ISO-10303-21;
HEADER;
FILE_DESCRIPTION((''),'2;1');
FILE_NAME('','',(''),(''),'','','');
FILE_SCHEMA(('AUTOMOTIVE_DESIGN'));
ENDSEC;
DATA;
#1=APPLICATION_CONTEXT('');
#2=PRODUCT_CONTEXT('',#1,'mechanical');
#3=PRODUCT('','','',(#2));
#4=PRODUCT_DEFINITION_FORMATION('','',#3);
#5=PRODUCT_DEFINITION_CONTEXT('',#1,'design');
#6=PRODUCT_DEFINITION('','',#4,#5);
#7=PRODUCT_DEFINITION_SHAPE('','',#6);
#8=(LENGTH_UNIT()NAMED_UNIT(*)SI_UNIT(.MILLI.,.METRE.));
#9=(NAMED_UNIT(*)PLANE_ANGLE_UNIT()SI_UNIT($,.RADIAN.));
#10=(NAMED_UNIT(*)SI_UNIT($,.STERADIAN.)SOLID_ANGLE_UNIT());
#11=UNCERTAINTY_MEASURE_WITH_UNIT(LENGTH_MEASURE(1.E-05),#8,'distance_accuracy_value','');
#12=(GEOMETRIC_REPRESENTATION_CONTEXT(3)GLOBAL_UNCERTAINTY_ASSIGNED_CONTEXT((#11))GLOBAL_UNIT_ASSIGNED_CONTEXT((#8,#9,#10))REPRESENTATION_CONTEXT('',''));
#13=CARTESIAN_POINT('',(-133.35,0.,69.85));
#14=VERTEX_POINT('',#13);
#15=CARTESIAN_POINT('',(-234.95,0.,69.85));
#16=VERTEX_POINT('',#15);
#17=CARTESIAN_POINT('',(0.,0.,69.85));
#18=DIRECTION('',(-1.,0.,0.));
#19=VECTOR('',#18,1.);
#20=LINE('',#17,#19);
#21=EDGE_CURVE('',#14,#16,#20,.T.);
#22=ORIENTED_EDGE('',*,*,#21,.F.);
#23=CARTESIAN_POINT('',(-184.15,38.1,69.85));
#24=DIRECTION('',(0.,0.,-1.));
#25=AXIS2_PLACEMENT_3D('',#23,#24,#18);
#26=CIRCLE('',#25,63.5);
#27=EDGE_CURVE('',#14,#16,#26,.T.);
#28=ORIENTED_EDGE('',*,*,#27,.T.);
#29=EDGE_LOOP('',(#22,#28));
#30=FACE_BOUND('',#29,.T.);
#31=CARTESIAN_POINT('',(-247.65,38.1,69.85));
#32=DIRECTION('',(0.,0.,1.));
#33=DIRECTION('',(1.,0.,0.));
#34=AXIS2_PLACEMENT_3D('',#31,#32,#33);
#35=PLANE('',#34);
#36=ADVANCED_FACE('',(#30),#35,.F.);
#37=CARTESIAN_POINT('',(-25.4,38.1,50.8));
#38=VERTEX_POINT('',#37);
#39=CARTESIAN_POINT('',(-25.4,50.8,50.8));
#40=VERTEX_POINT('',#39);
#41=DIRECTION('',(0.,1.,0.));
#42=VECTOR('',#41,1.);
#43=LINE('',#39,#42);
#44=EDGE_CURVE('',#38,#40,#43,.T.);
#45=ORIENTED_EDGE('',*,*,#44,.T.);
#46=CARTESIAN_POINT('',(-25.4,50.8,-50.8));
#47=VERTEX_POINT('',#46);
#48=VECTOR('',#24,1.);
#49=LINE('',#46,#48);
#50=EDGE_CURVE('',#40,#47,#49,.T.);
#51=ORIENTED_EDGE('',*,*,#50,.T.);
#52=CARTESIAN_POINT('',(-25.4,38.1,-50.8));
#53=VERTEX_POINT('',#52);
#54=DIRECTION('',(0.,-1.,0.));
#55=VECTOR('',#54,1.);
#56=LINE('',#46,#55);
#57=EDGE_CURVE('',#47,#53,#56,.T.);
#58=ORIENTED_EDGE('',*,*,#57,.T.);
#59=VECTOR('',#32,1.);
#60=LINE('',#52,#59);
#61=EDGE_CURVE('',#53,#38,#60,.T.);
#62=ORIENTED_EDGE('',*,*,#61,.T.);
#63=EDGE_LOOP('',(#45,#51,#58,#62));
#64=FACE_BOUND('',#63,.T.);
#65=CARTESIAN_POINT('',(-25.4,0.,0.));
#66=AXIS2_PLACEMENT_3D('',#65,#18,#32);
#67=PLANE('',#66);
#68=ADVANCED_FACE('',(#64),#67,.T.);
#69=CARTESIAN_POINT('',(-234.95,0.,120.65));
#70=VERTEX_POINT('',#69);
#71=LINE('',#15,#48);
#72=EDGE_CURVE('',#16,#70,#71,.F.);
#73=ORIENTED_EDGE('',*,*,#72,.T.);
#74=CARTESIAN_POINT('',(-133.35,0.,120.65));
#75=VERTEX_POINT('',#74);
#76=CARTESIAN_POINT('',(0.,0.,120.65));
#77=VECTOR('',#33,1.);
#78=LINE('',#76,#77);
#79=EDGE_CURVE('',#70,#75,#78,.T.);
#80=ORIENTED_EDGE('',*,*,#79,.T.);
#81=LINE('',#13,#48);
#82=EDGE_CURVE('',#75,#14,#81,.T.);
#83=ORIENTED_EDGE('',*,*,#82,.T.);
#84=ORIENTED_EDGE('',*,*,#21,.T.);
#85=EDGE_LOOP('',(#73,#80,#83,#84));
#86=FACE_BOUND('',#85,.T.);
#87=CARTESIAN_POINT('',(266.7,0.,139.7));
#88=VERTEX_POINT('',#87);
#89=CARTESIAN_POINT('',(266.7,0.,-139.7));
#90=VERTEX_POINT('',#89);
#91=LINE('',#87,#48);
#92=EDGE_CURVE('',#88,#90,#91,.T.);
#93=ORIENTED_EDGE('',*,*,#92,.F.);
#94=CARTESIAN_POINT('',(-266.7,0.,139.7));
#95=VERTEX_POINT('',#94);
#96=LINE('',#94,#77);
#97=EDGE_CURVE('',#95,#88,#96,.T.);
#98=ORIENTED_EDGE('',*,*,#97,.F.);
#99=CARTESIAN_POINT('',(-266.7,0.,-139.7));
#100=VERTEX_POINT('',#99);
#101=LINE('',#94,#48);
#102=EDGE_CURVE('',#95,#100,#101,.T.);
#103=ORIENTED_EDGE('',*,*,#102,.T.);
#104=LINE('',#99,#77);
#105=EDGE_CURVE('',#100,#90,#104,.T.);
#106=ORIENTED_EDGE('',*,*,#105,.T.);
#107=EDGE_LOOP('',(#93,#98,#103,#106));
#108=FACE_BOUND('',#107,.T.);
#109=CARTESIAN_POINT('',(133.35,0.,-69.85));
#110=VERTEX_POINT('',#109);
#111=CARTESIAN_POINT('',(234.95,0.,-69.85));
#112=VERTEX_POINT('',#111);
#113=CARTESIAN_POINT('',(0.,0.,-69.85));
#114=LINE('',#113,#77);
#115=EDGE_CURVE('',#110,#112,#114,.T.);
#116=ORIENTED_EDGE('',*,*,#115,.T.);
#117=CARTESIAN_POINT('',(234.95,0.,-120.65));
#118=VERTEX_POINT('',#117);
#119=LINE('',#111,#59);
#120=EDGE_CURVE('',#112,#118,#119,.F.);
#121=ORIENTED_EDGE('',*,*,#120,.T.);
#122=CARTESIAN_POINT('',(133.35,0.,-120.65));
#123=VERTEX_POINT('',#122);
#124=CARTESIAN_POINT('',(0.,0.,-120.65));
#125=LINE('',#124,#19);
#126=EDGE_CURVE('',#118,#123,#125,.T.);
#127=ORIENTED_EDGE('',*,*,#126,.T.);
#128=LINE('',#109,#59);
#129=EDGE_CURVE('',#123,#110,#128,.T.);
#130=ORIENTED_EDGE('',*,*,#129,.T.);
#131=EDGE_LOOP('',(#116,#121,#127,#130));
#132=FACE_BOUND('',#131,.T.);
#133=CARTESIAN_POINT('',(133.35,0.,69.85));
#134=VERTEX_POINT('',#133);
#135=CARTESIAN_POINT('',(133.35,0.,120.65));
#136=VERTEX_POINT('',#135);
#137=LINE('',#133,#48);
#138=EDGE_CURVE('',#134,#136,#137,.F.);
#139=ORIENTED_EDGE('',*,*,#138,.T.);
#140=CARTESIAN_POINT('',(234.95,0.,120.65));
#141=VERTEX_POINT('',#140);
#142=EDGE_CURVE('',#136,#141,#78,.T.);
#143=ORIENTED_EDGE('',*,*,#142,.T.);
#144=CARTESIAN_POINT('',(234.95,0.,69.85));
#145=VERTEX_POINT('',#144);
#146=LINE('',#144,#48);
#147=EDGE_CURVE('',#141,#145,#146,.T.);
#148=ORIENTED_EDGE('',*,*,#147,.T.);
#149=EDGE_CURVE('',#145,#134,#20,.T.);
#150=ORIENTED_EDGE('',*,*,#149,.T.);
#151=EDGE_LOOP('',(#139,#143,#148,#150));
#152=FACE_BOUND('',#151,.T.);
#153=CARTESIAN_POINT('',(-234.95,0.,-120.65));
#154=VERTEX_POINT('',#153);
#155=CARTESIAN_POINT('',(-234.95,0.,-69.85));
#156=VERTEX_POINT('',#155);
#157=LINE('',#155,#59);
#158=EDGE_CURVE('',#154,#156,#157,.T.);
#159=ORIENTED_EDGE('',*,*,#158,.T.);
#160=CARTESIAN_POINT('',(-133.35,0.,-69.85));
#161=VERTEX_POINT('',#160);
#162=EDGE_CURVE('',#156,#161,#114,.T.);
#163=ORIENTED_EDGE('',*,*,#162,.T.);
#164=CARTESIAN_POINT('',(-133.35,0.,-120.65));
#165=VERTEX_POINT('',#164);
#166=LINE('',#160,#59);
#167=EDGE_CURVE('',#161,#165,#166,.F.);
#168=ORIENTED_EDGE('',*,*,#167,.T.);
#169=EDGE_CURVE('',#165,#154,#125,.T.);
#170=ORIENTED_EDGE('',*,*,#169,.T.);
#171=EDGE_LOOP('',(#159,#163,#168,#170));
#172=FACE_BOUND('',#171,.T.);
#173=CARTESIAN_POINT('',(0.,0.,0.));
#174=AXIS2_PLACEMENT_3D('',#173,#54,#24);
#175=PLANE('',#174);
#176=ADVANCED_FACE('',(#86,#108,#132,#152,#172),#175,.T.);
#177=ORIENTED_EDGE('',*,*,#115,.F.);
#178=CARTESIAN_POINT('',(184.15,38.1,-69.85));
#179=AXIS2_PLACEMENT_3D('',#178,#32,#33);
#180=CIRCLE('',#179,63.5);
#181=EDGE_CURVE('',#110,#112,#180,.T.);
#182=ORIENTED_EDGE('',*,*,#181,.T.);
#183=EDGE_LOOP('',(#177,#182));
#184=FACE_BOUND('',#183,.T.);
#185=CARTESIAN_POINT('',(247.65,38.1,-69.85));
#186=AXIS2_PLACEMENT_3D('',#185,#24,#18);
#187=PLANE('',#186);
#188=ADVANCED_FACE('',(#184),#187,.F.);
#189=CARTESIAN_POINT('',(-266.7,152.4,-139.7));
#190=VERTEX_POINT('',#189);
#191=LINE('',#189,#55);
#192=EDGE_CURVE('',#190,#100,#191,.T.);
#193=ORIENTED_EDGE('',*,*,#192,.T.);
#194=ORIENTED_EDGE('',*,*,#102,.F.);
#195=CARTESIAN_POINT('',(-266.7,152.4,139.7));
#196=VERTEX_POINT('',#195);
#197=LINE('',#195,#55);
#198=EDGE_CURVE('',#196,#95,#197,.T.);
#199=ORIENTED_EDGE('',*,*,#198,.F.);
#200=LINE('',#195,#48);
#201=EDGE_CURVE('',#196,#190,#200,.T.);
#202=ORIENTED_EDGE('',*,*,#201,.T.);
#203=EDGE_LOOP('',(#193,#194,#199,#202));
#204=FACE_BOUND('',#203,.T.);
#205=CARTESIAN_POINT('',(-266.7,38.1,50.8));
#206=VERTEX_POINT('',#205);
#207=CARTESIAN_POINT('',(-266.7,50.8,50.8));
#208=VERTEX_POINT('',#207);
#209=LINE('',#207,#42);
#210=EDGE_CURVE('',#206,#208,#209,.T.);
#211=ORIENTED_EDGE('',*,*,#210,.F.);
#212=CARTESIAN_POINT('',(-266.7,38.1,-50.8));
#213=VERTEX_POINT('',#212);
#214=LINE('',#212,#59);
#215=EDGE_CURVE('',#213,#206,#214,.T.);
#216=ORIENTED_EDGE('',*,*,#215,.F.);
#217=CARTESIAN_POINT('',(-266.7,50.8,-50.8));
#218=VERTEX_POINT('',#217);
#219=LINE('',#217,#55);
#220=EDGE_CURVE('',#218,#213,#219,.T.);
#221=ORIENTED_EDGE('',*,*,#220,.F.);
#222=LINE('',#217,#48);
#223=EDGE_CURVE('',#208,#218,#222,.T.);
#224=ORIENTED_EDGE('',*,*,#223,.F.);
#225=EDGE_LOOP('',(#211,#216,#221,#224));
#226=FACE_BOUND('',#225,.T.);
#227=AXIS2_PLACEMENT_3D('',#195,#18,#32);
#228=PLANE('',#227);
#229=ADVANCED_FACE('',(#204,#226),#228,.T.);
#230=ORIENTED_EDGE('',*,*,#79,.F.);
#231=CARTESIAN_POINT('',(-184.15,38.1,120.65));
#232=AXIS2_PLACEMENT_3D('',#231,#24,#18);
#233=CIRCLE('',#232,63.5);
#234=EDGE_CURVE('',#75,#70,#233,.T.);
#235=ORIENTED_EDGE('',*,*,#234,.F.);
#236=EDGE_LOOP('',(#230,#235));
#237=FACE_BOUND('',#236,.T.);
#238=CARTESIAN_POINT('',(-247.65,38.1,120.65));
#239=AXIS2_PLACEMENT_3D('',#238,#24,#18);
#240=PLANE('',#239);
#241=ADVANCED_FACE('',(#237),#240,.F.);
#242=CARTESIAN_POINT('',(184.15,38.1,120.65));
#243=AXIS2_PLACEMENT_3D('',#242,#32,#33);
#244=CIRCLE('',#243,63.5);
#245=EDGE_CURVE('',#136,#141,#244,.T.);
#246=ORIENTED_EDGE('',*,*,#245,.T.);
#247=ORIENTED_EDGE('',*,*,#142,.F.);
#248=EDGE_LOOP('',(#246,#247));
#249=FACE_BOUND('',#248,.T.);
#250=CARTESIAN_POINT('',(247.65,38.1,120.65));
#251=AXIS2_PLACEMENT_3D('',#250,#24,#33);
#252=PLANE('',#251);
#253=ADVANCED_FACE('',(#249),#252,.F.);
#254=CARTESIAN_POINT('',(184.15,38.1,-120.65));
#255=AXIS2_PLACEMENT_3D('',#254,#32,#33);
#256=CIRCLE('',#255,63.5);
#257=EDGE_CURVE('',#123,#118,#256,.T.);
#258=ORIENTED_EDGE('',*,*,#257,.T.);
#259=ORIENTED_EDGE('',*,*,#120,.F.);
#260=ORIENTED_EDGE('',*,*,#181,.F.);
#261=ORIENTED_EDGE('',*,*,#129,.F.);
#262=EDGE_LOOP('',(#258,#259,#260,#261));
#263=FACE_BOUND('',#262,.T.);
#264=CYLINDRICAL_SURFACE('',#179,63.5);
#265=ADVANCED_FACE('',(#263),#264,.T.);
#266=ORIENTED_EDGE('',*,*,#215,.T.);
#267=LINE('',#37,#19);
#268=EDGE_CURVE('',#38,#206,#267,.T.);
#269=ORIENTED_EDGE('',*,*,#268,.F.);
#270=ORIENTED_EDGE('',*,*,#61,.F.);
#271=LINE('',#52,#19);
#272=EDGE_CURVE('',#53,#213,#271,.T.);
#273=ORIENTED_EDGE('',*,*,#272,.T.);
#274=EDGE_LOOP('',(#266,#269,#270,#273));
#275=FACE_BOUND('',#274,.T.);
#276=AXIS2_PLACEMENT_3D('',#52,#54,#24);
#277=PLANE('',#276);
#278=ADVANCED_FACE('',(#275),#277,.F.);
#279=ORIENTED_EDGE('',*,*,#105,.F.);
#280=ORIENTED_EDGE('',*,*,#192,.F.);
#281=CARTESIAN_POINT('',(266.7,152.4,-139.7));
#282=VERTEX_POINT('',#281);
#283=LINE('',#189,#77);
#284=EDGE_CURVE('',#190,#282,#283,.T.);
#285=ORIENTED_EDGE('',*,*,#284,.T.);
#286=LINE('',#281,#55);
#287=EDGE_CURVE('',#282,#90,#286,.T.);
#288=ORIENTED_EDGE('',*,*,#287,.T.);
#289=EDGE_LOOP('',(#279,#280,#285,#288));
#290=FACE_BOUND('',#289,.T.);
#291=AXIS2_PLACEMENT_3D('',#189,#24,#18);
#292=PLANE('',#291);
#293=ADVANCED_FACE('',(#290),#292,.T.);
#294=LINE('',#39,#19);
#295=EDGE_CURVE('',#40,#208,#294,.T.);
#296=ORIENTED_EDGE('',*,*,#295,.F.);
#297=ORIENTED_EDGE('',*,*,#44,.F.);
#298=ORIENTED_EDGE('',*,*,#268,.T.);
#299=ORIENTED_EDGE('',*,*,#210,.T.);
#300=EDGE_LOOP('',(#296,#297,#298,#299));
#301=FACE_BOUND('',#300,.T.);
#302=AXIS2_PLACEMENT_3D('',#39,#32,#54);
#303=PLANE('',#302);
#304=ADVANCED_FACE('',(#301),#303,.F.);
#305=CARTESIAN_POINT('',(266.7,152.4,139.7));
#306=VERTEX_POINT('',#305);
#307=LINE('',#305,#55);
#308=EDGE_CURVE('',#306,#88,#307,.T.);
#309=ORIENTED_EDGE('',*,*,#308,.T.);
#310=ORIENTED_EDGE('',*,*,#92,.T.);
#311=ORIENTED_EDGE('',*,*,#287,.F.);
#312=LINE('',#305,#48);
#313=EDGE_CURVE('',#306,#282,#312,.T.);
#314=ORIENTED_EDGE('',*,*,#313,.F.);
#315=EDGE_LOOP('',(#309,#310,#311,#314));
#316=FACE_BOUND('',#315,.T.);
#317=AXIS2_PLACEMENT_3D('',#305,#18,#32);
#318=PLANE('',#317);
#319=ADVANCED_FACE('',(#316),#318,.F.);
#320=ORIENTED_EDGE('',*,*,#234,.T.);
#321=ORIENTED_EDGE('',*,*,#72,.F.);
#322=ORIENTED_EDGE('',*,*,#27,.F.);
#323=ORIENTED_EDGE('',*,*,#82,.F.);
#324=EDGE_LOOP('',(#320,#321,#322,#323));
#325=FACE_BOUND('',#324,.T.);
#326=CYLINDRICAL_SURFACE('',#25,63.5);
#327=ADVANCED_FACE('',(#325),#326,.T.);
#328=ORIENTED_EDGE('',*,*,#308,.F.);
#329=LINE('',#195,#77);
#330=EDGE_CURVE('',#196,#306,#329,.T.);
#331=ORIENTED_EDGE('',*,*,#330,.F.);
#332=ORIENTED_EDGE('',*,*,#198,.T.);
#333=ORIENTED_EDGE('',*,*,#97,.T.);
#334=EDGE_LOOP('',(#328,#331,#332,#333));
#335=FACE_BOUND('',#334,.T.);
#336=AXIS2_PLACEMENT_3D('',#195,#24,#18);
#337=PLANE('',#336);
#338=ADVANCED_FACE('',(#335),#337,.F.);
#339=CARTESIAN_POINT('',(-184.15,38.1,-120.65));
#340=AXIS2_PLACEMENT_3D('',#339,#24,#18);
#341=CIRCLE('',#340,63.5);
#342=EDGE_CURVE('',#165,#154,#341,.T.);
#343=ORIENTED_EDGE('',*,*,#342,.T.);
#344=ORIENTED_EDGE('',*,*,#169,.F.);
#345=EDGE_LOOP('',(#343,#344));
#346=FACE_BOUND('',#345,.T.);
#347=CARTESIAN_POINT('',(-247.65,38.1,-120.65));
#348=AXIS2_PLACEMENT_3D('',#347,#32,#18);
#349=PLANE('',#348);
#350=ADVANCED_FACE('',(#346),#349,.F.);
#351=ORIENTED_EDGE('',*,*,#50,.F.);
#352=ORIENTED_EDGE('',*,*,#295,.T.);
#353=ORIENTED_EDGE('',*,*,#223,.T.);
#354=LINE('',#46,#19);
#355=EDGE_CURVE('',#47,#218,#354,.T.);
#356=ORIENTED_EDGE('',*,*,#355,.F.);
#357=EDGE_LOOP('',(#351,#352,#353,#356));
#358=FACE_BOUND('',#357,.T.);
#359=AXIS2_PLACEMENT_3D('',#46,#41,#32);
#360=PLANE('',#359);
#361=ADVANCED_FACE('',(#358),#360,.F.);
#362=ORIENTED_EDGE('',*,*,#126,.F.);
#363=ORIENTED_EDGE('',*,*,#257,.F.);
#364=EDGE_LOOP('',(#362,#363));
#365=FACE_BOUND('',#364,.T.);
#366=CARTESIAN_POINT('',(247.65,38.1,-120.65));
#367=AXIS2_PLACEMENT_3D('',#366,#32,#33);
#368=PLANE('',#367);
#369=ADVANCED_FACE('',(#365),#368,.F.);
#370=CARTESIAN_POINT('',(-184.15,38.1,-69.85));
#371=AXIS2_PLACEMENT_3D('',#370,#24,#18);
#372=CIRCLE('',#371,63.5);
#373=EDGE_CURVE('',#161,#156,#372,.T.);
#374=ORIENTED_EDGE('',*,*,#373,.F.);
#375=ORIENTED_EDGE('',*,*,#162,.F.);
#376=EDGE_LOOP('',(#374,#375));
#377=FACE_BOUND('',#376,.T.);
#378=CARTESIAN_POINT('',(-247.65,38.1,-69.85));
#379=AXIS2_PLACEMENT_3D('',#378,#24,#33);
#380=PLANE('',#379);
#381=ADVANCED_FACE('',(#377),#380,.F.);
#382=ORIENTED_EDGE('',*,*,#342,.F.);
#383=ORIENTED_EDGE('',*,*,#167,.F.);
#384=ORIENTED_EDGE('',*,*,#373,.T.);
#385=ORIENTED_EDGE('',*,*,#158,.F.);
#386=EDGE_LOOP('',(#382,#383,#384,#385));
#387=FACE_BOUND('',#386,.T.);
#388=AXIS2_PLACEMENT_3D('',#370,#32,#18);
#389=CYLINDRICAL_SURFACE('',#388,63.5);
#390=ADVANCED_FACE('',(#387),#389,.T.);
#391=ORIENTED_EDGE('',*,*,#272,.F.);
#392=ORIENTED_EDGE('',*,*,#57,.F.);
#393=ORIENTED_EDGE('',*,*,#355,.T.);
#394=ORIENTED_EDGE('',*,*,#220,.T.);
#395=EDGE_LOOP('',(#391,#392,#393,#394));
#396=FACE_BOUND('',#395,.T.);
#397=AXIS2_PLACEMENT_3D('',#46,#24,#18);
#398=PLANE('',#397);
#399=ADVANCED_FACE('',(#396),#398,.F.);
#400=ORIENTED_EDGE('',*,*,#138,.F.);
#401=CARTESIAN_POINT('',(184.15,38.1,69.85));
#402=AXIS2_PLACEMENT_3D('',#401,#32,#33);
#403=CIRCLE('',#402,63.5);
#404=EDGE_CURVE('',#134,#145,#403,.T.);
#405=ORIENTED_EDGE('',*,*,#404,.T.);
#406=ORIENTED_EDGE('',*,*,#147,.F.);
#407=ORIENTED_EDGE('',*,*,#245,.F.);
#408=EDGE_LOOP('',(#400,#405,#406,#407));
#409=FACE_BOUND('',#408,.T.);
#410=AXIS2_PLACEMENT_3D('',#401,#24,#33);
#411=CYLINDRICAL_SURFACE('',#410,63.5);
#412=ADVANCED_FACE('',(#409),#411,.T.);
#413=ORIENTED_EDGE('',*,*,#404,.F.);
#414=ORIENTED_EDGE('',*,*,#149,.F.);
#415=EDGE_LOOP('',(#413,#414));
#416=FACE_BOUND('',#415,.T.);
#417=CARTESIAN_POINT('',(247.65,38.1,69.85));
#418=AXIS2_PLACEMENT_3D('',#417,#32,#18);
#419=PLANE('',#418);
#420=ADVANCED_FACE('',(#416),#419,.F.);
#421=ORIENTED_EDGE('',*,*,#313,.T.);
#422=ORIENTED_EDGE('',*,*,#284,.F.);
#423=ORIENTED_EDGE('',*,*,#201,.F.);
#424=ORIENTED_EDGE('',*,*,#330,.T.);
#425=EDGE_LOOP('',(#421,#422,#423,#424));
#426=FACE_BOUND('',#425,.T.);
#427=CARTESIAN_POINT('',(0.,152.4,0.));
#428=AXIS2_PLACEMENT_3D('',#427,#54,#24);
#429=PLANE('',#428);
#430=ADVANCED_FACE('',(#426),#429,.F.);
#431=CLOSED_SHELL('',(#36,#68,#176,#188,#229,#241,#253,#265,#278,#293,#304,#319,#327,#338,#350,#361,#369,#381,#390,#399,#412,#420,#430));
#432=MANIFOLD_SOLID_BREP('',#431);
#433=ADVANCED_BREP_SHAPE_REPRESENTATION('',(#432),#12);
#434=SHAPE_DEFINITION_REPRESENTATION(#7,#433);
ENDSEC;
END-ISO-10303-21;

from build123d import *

# Parameters (mm, degrees)
CHASIS_W                = 533.4
CHASIS_H                = 279.4
BOSS_EXTRUDE1_DEPTH     = 152.4
SKETCH3_W               = 63.5
SKETCH3_H               = 50.8
MIRROR2_COPY_1_SKETCH_W = 63.5
MIRROR2_COPY_1_SKETCH_H = 50.8
SKETCH4_W               = 101.6
SKETCH4_H               = 12.7
CUT_EXTRUDE1_DEPTH      = 241.3


with BuildPart() as part:
    # Chasis → Boss-Extrude1 (new body)
    with BuildSketch(Plane(origin=(0, 0, 0), x_dir=(1, 0, 0), z_dir=(0, 1, 0))):
        Rectangle(CHASIS_W, CHASIS_H)
    extrude(amount=BOSS_EXTRUDE1_DEPTH)

    # Sketch3 → Revolve2 (revolve)
    with BuildSketch(Plane(origin=(0, 38.1, 0), x_dir=(-1, 0, 0), z_dir=(0, -1, 0))):
        with Locations((215.9, -95.25)):
            Rectangle(SKETCH3_W, SKETCH3_H)
    revolve2 = revolve(axis=Axis((-184.15, 38.1, 69.85), (0, 0, 1)))

    # Mirror1: Revolve2 across plane
    add(revolve2.mirror(Plane.XY))

    # Mirror2: Revolve2 across plane
    add(revolve2.mirror(Plane(origin=(0, 0, 0), x_dir=(0, 0, 1), z_dir=(1, 0, 0))))

    # Mirror2 copy 1 sketch → Mirror2 copy 1 (revolve)
    with BuildSketch(Plane.XZ.offset(-38.1)):
        with Locations((215.9, -95.25)):
            Rectangle(MIRROR2_COPY_1_SKETCH_W, MIRROR2_COPY_1_SKETCH_H)
    revolve(axis=Axis((184.15, 38.1, -69.85), (0, 0, -1)))

    # Sketch4 → Cut-Extrude1 (cut)
    with BuildSketch(Plane.ZY.offset(266.7)):
        with Locations((0, 44.45)):
            Rectangle(SKETCH4_W, SKETCH4_H)
    extrude(amount=-CUT_EXTRUDE1_DEPTH, mode=Mode.SUBTRACT)


solid = part.part
